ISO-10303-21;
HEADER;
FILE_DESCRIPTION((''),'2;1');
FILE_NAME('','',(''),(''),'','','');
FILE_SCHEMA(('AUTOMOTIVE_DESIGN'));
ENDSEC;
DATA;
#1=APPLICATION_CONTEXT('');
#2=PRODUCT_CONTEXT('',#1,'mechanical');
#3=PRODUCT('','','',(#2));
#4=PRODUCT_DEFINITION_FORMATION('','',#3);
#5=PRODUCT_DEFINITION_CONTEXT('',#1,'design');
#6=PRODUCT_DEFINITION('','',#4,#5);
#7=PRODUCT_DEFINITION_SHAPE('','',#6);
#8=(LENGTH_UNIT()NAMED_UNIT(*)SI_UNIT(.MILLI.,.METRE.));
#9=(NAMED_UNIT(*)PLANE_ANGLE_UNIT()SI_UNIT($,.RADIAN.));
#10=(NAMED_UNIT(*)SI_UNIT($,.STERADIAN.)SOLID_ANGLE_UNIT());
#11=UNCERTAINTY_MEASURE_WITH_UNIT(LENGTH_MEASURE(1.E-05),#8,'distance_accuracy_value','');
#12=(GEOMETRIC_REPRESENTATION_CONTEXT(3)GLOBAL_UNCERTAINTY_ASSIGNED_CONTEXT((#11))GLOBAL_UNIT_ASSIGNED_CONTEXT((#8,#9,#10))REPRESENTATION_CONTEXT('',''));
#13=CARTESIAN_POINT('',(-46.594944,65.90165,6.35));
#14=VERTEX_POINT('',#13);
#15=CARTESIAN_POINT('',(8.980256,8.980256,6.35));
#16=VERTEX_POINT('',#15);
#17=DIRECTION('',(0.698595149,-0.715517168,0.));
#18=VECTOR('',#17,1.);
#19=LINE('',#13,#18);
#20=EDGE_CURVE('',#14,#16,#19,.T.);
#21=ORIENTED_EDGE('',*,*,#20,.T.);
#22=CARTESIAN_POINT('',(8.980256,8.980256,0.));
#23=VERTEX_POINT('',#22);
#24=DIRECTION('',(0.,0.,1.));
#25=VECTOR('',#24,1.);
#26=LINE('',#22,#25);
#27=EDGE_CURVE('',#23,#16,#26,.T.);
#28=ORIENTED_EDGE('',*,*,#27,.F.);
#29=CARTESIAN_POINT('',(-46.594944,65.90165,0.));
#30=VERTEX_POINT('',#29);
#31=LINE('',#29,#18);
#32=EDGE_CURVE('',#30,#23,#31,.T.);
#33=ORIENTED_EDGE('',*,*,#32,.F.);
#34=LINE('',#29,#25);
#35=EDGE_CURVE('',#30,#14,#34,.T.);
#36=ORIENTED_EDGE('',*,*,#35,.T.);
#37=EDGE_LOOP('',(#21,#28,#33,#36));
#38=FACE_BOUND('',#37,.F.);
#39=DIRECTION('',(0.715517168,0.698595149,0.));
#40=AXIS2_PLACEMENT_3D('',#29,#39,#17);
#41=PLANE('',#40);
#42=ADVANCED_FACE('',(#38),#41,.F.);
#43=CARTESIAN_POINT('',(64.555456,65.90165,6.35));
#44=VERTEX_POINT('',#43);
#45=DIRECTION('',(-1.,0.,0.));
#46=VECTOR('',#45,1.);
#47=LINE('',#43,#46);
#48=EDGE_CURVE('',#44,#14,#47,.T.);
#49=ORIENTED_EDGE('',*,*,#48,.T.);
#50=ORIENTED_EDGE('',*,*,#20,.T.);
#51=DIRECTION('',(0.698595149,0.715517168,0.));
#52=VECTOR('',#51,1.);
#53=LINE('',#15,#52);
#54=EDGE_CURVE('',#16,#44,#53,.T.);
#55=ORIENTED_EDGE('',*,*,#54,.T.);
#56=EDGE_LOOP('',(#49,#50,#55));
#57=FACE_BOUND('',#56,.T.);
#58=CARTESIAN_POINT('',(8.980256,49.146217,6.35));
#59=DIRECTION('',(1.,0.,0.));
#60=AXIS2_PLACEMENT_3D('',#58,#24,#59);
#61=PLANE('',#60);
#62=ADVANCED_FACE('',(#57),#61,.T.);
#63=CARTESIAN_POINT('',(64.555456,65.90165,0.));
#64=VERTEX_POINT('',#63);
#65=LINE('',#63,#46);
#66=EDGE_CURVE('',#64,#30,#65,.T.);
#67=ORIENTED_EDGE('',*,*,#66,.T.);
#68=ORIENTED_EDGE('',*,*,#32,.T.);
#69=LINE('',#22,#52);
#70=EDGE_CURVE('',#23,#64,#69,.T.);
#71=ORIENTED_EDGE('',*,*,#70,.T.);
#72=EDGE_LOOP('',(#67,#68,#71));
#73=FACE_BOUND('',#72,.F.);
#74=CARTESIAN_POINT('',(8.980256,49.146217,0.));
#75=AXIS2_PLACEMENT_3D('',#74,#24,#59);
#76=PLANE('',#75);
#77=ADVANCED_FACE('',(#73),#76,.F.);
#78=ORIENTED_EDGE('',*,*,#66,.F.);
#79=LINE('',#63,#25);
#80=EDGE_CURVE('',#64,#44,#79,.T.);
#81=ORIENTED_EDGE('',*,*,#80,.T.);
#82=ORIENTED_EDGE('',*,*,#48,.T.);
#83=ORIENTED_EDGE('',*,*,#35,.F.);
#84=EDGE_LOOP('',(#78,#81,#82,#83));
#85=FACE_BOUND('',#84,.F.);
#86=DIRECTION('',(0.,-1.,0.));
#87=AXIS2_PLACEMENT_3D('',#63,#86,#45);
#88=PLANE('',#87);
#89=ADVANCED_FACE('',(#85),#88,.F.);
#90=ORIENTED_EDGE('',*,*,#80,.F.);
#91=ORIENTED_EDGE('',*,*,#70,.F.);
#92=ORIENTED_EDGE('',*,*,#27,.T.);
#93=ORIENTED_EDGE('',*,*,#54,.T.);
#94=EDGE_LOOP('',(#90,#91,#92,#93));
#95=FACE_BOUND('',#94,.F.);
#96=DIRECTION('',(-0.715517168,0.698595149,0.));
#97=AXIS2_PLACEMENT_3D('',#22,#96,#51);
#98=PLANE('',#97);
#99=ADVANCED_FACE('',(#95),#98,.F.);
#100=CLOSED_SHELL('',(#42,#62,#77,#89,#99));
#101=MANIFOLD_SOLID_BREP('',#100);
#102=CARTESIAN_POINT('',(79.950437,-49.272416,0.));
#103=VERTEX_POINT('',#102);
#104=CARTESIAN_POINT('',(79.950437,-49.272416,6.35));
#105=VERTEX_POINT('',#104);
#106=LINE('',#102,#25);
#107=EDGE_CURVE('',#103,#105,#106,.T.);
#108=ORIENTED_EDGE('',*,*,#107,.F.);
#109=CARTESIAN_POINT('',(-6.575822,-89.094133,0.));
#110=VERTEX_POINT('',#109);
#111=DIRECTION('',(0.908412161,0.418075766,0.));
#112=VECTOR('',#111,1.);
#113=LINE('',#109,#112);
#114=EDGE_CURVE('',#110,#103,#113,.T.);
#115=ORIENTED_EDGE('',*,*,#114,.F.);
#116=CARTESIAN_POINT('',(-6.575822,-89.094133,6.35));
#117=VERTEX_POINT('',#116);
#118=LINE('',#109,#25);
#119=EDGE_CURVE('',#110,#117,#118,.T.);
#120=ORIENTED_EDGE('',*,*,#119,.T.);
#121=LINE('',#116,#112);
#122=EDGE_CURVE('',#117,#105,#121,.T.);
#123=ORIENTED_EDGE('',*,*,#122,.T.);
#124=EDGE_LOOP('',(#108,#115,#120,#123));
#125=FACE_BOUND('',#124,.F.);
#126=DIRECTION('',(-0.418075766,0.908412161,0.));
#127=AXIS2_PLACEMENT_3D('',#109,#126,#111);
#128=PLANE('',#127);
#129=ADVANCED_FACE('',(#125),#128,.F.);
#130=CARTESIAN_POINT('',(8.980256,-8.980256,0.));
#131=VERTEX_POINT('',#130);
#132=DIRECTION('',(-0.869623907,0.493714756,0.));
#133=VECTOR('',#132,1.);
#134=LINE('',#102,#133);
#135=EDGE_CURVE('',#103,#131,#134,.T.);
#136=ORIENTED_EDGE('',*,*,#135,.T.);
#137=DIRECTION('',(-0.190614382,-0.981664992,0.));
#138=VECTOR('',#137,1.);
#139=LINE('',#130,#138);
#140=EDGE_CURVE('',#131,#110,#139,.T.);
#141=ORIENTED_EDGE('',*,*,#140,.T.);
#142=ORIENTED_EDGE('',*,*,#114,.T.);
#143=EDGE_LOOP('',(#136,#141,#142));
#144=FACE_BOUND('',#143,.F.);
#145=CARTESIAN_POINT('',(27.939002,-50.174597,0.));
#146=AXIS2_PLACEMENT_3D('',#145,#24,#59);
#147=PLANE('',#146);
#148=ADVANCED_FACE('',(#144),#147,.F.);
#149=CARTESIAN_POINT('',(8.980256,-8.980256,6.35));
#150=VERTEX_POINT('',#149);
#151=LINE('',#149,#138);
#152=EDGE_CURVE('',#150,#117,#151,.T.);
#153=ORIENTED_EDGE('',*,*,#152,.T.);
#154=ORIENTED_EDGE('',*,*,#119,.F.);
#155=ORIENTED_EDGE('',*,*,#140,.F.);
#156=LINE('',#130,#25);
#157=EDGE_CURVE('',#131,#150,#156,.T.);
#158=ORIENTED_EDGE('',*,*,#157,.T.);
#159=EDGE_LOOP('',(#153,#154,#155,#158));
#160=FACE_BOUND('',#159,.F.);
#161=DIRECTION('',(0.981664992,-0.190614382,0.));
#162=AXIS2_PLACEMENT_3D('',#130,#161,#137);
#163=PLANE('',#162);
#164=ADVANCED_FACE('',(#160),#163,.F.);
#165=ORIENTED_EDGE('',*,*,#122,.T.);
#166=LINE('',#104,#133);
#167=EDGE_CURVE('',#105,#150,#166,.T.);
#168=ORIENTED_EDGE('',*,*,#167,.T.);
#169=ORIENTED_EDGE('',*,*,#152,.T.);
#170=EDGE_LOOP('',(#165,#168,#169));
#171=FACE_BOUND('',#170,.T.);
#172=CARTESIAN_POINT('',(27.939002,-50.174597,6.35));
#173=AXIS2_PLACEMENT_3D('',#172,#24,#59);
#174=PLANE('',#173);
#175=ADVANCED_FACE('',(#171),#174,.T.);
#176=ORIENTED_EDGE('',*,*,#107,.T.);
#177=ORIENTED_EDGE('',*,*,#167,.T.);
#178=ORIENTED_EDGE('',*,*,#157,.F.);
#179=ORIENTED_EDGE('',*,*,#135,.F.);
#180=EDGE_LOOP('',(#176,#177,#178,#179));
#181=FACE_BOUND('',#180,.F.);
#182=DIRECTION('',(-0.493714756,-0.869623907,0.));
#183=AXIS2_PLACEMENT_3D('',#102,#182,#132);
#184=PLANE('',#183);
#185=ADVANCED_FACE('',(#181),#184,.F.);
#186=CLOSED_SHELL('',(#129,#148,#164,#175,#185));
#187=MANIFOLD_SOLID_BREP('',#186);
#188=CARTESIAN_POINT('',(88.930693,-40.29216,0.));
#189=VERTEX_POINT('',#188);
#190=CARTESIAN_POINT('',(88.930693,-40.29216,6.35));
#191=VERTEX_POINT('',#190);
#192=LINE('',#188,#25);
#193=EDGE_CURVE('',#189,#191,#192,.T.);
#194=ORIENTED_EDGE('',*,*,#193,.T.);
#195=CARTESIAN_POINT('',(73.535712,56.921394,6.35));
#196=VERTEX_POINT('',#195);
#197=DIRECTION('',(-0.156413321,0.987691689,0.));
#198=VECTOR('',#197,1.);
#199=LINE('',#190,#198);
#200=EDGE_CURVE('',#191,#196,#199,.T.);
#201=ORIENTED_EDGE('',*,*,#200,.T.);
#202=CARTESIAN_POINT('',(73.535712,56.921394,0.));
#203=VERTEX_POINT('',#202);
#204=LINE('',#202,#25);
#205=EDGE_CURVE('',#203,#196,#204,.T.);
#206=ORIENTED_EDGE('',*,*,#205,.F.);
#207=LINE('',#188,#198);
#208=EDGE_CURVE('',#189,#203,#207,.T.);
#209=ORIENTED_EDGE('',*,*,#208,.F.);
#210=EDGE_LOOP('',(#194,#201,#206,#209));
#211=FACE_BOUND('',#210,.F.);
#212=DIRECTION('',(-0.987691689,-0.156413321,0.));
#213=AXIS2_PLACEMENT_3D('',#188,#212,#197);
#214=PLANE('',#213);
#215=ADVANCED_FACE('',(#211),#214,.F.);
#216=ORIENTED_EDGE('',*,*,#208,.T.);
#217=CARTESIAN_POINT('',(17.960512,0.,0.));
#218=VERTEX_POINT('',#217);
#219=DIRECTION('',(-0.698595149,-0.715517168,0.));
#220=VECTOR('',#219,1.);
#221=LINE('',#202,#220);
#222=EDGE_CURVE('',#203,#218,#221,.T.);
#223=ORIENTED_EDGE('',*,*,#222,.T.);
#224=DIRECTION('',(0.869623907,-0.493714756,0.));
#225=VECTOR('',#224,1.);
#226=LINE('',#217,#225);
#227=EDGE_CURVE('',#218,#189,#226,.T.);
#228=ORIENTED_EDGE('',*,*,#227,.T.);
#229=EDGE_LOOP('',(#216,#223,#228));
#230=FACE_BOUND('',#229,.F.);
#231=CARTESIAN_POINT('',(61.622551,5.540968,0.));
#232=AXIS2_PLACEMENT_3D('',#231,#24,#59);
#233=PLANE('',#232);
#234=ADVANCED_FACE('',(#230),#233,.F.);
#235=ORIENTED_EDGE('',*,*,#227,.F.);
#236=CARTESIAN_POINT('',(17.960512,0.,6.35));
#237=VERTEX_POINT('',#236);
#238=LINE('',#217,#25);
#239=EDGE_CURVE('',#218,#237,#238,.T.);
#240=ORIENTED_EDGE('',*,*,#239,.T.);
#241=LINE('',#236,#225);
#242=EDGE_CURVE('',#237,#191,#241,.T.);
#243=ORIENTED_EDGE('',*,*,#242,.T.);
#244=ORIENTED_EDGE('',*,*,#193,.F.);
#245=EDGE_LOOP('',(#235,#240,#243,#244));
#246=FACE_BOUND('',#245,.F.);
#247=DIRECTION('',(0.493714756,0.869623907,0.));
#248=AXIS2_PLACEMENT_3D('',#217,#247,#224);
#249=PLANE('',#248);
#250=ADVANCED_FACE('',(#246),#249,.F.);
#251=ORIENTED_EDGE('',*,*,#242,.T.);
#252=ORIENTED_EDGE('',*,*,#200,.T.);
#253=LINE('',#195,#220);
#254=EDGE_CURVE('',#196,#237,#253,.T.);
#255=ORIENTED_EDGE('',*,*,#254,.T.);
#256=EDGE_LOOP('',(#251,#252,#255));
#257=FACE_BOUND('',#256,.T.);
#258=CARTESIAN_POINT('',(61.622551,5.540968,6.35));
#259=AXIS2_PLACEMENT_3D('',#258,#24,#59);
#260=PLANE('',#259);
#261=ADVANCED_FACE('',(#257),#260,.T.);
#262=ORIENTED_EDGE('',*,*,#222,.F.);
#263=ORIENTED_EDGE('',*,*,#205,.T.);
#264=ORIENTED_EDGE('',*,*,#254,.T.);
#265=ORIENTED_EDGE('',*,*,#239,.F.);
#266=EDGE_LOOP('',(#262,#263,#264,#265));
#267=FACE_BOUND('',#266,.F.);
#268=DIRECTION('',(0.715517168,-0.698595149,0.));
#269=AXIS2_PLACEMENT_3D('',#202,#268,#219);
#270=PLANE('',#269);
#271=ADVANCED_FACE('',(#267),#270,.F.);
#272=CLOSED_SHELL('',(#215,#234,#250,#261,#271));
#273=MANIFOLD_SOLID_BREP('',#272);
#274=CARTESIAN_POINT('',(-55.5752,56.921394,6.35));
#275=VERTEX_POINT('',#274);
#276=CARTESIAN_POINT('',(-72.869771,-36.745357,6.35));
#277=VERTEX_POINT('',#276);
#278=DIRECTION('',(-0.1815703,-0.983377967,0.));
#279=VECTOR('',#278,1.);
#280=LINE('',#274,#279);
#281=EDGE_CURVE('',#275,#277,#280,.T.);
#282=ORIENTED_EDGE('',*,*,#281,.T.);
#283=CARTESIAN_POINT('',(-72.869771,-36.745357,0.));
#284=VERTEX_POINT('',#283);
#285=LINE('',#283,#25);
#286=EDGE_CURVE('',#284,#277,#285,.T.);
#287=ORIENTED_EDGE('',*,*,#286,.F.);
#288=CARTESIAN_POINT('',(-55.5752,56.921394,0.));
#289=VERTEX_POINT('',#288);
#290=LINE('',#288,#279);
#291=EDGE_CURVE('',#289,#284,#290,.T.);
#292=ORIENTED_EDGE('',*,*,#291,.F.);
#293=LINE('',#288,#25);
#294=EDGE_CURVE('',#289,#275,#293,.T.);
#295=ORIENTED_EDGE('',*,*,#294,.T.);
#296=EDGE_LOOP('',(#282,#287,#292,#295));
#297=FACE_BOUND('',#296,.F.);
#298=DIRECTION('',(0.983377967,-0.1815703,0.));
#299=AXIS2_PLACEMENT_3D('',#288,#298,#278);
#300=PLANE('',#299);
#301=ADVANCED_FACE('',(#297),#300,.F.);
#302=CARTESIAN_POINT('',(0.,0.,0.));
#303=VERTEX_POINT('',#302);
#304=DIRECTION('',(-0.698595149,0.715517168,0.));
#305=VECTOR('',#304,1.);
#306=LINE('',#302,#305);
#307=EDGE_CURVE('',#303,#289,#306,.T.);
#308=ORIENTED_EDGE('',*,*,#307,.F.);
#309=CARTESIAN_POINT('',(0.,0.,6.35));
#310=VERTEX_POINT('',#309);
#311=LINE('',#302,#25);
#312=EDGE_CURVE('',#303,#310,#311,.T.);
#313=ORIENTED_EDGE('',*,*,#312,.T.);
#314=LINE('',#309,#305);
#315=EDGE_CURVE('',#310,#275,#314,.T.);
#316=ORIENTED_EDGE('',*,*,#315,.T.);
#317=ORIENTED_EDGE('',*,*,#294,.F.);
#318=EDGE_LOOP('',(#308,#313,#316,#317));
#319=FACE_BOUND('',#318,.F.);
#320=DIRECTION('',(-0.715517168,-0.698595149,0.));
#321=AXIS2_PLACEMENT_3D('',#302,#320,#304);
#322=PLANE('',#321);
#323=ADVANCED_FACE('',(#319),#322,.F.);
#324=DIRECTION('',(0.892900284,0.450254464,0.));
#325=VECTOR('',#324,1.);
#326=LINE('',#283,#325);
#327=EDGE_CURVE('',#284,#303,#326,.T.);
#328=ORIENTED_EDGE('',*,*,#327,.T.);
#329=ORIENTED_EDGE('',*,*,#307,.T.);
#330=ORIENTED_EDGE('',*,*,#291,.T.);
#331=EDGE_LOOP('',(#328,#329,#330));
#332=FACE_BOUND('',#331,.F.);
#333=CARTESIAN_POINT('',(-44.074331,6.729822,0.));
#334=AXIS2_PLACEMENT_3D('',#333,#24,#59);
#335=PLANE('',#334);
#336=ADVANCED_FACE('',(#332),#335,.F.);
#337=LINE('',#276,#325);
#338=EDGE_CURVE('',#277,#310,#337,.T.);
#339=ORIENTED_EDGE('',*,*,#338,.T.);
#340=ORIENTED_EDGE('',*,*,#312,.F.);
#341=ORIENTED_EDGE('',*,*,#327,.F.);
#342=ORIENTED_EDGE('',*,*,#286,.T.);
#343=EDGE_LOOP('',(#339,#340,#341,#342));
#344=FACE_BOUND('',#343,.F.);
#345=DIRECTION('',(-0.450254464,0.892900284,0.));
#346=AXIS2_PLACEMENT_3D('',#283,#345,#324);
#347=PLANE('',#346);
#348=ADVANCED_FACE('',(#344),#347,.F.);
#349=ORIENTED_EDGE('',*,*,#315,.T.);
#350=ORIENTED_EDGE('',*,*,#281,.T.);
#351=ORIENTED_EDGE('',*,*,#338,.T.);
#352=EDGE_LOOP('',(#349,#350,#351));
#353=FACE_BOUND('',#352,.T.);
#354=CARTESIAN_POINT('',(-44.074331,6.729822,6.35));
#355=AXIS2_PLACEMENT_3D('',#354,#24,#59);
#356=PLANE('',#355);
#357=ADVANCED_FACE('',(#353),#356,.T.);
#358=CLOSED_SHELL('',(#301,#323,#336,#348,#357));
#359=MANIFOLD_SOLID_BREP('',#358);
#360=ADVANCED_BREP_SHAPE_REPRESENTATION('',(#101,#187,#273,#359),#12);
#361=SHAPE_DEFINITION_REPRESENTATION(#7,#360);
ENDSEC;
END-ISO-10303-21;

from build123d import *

# Parameters (mm, degrees)
F2_DEPTH = 6.35


with BuildPart() as f2:
    # F1 (on Top) → F2 (new body)
    with BuildSketch(Plane.XY):
        Polygon((-72.869771, -36.745357), (0, 0), (-55.5752, 56.921394), align=None)
        Polygon((8.980256, 8.980256), (64.555456, 65.90165), (-46.594944, 65.90165), align=None)
        Polygon((17.960512, 0), (88.930693, -40.29216), (73.535712, 56.921394), align=None)
        Polygon((-6.575822, -89.094133), (79.950437, -49.272416), (8.980256, -8.980256), align=None)
    extrude(amount=F2_DEPTH)


solid = f2.part
